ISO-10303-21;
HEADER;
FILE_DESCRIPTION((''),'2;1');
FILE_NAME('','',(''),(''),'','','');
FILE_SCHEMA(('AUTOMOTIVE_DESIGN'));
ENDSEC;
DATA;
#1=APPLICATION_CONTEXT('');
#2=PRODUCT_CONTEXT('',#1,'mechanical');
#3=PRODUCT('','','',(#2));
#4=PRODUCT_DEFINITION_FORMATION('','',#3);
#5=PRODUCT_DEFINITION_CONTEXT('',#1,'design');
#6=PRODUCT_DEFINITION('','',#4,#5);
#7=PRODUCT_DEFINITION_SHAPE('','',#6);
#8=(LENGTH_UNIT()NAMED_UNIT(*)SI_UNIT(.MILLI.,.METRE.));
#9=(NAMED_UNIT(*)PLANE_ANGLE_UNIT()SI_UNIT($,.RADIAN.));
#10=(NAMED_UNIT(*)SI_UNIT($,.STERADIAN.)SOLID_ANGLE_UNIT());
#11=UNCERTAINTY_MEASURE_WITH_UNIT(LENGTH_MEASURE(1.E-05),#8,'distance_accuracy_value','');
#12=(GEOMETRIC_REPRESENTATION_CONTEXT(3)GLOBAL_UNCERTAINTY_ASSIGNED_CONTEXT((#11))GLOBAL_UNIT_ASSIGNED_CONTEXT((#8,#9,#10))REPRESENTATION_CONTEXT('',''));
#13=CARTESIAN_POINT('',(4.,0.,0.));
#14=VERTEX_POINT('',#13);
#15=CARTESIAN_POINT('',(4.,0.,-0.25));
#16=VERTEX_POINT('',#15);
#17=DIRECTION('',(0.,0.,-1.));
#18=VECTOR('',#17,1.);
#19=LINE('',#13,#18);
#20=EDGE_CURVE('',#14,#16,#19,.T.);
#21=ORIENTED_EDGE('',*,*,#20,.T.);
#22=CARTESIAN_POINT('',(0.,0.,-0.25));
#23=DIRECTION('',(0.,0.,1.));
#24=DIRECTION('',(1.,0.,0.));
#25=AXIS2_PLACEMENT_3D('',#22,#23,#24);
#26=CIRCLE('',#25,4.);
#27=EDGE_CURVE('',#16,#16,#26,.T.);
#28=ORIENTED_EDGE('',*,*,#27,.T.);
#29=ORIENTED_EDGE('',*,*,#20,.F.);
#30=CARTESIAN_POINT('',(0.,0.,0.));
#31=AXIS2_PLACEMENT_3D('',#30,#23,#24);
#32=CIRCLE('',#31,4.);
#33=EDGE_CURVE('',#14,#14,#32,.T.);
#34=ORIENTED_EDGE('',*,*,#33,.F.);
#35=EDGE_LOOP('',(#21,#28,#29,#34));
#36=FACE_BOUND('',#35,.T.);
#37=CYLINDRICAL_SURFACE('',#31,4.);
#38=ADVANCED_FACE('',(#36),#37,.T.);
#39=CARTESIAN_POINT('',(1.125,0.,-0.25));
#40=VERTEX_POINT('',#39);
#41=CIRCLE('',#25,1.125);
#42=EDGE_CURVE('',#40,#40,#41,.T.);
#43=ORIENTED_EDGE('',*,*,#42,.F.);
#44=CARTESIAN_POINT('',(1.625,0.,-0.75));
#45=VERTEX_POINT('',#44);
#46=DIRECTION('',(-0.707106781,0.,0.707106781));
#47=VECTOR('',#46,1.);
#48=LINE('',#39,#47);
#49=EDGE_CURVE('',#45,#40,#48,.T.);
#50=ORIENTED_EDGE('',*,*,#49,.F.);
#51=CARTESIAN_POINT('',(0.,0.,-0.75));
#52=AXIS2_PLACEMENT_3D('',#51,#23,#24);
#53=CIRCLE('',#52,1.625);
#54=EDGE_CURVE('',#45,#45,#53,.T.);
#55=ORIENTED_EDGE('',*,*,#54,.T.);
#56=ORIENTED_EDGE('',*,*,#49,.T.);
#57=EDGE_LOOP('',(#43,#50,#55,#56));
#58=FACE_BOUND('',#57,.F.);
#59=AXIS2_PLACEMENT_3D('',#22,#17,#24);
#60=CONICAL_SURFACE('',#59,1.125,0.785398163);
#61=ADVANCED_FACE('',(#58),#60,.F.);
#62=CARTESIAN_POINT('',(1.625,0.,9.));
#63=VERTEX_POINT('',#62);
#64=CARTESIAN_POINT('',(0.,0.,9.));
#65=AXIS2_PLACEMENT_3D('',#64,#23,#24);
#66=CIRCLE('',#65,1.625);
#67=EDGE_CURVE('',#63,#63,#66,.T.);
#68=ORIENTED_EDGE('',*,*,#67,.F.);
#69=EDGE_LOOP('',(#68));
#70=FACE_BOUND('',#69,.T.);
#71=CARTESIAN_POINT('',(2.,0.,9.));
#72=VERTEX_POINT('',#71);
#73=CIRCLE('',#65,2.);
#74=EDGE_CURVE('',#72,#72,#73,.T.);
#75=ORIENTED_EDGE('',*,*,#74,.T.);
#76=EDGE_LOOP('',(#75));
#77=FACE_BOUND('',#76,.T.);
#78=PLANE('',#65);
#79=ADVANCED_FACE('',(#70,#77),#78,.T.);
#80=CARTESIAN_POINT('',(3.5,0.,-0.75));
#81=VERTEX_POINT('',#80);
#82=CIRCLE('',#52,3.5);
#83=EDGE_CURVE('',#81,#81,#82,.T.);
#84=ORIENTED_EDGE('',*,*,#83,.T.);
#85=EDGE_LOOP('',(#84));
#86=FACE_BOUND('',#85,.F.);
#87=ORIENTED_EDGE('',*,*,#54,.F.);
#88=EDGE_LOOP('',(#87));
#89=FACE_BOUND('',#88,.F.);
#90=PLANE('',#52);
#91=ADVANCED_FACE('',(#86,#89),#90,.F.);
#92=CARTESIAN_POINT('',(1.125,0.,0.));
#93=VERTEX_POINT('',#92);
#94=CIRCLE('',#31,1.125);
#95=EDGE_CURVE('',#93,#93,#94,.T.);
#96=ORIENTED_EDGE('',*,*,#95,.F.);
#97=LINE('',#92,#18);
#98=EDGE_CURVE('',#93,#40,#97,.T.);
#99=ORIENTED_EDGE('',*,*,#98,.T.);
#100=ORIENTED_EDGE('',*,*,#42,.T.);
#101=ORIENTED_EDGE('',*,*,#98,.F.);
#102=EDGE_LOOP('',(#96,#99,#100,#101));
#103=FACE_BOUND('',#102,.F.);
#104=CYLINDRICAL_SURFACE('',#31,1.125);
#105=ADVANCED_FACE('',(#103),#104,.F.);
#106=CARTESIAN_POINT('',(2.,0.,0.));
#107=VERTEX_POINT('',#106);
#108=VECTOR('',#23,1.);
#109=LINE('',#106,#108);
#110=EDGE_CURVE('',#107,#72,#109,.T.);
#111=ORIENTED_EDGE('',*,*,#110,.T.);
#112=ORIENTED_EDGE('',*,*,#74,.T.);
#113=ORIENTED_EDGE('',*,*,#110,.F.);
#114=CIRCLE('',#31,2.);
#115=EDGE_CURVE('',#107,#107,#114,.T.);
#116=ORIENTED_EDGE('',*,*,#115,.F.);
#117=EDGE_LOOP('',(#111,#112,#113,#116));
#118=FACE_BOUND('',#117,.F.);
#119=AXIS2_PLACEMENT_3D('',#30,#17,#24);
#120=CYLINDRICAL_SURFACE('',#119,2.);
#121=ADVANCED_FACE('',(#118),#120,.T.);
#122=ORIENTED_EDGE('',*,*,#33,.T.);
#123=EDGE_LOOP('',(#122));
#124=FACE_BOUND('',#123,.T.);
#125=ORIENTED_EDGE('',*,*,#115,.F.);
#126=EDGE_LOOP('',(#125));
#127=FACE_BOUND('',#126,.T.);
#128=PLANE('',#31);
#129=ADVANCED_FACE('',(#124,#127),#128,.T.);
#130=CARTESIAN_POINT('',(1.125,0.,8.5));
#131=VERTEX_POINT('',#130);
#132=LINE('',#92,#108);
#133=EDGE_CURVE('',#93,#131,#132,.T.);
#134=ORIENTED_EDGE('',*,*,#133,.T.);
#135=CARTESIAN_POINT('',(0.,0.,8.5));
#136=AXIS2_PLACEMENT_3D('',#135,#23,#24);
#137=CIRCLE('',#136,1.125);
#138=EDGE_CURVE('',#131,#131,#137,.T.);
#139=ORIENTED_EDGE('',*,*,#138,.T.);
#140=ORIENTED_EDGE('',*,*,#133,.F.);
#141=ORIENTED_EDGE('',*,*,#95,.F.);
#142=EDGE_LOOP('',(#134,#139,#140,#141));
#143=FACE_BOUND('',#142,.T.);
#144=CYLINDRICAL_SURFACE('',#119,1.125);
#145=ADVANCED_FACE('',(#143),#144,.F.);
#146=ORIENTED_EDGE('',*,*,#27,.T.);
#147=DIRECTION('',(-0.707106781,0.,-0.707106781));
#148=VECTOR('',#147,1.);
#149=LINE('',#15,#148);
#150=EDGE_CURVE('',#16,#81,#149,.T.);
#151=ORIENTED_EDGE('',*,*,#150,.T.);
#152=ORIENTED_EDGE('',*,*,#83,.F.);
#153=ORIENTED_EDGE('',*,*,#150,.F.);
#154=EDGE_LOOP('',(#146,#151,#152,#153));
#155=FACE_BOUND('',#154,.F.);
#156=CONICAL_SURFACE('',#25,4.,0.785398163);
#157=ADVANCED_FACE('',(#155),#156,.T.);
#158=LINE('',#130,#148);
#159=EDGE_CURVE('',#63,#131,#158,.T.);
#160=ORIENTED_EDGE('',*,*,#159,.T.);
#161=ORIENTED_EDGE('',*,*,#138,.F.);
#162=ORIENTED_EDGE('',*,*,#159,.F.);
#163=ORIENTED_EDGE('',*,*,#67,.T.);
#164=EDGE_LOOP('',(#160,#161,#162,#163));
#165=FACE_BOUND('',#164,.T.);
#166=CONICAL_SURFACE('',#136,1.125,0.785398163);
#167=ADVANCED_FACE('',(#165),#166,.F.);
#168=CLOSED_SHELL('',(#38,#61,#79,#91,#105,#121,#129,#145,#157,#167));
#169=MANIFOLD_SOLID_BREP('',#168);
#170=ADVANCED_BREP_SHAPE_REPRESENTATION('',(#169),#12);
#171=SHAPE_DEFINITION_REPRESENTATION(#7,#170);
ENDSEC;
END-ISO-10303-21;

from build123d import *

# Parameters (mm, degrees)
F0_R     = 2
F0_R_2   = 1.125
F1_DEPTH = 9
F0_R_3   = 4
F2_DEPTH = 0.75
F3_SIZE  = 0.5


with BuildPart() as f1:
    # F0 (on Top) → F1 (new body)
    with BuildSketch(Plane.XY):
        Circle(F0_R)
        Circle(F0_R_2, mode=Mode.SUBTRACT)
    extrude(amount=F1_DEPTH)

    # F0 (on Top) → F2 (join)
    with BuildSketch(Plane.XY):
        Circle(F0_R_3)
        Circle(F0_R, mode=Mode.SUBTRACT)
        Circle(F0_R)
        Circle(F0_R_2, mode=Mode.SUBTRACT)
    extrude(amount=-F2_DEPTH)

    # F3
    f3_edges = [f1.edges().sort_by_distance(p)[0] for p in [
        (-1.125, 0, 9),
        (1.125, 0, 4.125),
        (-1.125, 0, -0.75),
        (-4, 0, -0.75),
    ]]
    chamfer(f3_edges, length=F3_SIZE)


solid = f1.part
